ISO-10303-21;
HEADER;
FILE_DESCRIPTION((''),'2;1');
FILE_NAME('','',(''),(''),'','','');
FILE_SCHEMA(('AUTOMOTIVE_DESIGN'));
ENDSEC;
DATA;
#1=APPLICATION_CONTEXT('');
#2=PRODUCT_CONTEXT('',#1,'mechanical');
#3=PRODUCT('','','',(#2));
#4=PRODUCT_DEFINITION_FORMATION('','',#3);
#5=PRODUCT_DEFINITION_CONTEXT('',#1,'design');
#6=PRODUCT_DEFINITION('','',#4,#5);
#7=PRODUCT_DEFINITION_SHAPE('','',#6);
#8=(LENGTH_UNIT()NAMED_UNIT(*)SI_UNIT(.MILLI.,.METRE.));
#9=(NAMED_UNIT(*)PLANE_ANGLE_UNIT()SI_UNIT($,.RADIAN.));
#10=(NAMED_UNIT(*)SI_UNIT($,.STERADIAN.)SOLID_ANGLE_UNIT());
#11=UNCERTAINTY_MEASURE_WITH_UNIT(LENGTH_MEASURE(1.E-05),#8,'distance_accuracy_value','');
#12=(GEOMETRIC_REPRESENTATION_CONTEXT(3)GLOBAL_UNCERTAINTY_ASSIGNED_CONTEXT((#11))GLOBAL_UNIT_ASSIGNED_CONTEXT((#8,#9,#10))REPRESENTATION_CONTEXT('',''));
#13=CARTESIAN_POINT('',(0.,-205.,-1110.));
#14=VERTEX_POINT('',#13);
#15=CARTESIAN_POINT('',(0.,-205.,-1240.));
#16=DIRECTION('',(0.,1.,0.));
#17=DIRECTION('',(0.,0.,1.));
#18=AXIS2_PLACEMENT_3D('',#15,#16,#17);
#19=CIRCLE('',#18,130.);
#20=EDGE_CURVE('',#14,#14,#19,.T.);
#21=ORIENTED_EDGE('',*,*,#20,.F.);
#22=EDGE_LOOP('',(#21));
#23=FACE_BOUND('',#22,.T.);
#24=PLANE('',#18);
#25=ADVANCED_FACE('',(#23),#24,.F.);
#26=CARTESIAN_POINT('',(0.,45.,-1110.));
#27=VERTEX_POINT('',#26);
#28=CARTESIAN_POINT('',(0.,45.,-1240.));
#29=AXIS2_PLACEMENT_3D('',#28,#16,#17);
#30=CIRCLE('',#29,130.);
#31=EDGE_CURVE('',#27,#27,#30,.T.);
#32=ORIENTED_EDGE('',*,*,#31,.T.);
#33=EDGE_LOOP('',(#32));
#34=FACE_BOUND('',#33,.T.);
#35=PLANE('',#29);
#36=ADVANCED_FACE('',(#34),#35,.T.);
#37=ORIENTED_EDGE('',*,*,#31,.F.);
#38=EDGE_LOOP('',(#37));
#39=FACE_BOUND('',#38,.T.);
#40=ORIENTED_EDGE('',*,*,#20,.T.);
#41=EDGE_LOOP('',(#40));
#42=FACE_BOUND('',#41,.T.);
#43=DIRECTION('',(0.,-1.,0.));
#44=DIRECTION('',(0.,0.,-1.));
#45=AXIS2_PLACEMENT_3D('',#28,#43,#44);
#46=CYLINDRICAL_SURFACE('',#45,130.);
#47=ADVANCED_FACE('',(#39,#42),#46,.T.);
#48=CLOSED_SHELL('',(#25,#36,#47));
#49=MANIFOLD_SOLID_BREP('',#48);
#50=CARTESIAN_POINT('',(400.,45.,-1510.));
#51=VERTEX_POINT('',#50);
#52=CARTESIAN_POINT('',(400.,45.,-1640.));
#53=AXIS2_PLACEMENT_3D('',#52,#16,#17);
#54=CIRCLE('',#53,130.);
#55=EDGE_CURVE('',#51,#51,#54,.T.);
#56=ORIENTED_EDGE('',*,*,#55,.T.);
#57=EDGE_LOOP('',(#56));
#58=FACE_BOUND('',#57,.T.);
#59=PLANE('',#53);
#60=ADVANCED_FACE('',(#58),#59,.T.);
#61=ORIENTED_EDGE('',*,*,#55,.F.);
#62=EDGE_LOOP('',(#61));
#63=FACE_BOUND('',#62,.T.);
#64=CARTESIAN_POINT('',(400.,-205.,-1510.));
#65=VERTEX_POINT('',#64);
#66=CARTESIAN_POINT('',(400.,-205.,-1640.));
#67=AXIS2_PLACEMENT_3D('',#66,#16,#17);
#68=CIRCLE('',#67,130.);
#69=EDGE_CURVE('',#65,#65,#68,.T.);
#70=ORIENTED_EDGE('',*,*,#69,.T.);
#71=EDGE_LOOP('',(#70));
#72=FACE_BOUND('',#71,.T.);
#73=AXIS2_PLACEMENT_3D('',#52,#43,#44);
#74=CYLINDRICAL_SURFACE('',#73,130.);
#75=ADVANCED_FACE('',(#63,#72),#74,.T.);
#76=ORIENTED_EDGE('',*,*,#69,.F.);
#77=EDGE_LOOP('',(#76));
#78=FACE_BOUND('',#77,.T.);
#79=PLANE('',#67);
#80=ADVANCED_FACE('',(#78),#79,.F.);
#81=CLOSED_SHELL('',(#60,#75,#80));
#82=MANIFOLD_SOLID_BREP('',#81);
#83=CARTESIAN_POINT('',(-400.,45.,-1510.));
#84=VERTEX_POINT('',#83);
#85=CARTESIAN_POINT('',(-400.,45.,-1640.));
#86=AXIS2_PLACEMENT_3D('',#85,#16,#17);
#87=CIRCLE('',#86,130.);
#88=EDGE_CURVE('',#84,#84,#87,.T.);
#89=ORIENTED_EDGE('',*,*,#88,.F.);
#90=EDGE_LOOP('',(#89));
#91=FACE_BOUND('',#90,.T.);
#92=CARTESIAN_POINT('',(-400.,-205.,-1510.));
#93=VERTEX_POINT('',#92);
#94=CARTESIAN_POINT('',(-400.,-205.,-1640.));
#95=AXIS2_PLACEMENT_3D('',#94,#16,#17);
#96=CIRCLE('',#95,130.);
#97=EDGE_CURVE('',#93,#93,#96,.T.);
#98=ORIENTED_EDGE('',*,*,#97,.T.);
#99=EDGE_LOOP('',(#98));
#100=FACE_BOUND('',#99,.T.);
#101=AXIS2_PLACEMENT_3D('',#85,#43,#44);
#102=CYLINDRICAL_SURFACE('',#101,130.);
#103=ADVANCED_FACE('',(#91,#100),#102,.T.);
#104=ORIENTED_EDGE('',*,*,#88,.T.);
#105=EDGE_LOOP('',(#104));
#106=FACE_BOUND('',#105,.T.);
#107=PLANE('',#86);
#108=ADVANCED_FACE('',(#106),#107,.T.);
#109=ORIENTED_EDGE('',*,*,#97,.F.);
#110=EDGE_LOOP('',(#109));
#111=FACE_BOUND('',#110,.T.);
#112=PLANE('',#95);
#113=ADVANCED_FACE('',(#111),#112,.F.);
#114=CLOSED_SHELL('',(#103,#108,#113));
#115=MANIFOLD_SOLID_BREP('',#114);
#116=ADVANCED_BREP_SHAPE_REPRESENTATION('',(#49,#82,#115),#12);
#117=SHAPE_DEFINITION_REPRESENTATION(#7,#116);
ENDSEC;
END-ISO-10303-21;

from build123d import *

# Parameters (mm, degrees)
BOSS_EXTRUDE1_START = -205
SKETCH1_R           = 130
BOSS_EXTRUDE1_DEPTH = 250
BOSS_EXTRUDE2_START = -205
SKETCH2_R           = 130
BOSS_EXTRUDE2_DEPTH = 250
BOSS_EXTRUDE3_START = -205
SKETCH3_R           = 130
BOSS_EXTRUDE3_DEPTH = 250


with BuildPart() as part:
    # Sketch1 → Boss-Extrude1 (new body)
    with BuildSketch(Plane(origin=(0, 0, 0), x_dir=(1, 0, 0), z_dir=(0, 1, 0)).offset(BOSS_EXTRUDE1_START)):
        with Locations(Location((-400, 1640, 0), (0, 0, 270))):
            Circle(SKETCH1_R)
    extrude(amount=BOSS_EXTRUDE1_DEPTH)


with BuildPart() as body_2:
    # Sketch2 → Boss-Extrude2 (new body)
    with BuildSketch(Plane(origin=(0, 0, 0), x_dir=(1, 0, 0), z_dir=(0, 1, 0)).offset(BOSS_EXTRUDE2_START)):
        with Locations(Location((400, 1640, 0), (0, 0, 270))):
            Circle(SKETCH2_R)
    extrude(amount=BOSS_EXTRUDE2_DEPTH)


with BuildPart() as body_3:
    # Sketch3 → Boss-Extrude3 (new body)
    with BuildSketch(Plane(origin=(0, 0, 0), x_dir=(1, 0, 0), z_dir=(0, 1, 0)).offset(BOSS_EXTRUDE3_START)):
        with Locations(Location((0, 1240, 0), (0, 0, 270))):
            Circle(SKETCH3_R)
    extrude(amount=BOSS_EXTRUDE3_DEPTH)


solid = Compound([part.part, body_2.part, body_3.part])
